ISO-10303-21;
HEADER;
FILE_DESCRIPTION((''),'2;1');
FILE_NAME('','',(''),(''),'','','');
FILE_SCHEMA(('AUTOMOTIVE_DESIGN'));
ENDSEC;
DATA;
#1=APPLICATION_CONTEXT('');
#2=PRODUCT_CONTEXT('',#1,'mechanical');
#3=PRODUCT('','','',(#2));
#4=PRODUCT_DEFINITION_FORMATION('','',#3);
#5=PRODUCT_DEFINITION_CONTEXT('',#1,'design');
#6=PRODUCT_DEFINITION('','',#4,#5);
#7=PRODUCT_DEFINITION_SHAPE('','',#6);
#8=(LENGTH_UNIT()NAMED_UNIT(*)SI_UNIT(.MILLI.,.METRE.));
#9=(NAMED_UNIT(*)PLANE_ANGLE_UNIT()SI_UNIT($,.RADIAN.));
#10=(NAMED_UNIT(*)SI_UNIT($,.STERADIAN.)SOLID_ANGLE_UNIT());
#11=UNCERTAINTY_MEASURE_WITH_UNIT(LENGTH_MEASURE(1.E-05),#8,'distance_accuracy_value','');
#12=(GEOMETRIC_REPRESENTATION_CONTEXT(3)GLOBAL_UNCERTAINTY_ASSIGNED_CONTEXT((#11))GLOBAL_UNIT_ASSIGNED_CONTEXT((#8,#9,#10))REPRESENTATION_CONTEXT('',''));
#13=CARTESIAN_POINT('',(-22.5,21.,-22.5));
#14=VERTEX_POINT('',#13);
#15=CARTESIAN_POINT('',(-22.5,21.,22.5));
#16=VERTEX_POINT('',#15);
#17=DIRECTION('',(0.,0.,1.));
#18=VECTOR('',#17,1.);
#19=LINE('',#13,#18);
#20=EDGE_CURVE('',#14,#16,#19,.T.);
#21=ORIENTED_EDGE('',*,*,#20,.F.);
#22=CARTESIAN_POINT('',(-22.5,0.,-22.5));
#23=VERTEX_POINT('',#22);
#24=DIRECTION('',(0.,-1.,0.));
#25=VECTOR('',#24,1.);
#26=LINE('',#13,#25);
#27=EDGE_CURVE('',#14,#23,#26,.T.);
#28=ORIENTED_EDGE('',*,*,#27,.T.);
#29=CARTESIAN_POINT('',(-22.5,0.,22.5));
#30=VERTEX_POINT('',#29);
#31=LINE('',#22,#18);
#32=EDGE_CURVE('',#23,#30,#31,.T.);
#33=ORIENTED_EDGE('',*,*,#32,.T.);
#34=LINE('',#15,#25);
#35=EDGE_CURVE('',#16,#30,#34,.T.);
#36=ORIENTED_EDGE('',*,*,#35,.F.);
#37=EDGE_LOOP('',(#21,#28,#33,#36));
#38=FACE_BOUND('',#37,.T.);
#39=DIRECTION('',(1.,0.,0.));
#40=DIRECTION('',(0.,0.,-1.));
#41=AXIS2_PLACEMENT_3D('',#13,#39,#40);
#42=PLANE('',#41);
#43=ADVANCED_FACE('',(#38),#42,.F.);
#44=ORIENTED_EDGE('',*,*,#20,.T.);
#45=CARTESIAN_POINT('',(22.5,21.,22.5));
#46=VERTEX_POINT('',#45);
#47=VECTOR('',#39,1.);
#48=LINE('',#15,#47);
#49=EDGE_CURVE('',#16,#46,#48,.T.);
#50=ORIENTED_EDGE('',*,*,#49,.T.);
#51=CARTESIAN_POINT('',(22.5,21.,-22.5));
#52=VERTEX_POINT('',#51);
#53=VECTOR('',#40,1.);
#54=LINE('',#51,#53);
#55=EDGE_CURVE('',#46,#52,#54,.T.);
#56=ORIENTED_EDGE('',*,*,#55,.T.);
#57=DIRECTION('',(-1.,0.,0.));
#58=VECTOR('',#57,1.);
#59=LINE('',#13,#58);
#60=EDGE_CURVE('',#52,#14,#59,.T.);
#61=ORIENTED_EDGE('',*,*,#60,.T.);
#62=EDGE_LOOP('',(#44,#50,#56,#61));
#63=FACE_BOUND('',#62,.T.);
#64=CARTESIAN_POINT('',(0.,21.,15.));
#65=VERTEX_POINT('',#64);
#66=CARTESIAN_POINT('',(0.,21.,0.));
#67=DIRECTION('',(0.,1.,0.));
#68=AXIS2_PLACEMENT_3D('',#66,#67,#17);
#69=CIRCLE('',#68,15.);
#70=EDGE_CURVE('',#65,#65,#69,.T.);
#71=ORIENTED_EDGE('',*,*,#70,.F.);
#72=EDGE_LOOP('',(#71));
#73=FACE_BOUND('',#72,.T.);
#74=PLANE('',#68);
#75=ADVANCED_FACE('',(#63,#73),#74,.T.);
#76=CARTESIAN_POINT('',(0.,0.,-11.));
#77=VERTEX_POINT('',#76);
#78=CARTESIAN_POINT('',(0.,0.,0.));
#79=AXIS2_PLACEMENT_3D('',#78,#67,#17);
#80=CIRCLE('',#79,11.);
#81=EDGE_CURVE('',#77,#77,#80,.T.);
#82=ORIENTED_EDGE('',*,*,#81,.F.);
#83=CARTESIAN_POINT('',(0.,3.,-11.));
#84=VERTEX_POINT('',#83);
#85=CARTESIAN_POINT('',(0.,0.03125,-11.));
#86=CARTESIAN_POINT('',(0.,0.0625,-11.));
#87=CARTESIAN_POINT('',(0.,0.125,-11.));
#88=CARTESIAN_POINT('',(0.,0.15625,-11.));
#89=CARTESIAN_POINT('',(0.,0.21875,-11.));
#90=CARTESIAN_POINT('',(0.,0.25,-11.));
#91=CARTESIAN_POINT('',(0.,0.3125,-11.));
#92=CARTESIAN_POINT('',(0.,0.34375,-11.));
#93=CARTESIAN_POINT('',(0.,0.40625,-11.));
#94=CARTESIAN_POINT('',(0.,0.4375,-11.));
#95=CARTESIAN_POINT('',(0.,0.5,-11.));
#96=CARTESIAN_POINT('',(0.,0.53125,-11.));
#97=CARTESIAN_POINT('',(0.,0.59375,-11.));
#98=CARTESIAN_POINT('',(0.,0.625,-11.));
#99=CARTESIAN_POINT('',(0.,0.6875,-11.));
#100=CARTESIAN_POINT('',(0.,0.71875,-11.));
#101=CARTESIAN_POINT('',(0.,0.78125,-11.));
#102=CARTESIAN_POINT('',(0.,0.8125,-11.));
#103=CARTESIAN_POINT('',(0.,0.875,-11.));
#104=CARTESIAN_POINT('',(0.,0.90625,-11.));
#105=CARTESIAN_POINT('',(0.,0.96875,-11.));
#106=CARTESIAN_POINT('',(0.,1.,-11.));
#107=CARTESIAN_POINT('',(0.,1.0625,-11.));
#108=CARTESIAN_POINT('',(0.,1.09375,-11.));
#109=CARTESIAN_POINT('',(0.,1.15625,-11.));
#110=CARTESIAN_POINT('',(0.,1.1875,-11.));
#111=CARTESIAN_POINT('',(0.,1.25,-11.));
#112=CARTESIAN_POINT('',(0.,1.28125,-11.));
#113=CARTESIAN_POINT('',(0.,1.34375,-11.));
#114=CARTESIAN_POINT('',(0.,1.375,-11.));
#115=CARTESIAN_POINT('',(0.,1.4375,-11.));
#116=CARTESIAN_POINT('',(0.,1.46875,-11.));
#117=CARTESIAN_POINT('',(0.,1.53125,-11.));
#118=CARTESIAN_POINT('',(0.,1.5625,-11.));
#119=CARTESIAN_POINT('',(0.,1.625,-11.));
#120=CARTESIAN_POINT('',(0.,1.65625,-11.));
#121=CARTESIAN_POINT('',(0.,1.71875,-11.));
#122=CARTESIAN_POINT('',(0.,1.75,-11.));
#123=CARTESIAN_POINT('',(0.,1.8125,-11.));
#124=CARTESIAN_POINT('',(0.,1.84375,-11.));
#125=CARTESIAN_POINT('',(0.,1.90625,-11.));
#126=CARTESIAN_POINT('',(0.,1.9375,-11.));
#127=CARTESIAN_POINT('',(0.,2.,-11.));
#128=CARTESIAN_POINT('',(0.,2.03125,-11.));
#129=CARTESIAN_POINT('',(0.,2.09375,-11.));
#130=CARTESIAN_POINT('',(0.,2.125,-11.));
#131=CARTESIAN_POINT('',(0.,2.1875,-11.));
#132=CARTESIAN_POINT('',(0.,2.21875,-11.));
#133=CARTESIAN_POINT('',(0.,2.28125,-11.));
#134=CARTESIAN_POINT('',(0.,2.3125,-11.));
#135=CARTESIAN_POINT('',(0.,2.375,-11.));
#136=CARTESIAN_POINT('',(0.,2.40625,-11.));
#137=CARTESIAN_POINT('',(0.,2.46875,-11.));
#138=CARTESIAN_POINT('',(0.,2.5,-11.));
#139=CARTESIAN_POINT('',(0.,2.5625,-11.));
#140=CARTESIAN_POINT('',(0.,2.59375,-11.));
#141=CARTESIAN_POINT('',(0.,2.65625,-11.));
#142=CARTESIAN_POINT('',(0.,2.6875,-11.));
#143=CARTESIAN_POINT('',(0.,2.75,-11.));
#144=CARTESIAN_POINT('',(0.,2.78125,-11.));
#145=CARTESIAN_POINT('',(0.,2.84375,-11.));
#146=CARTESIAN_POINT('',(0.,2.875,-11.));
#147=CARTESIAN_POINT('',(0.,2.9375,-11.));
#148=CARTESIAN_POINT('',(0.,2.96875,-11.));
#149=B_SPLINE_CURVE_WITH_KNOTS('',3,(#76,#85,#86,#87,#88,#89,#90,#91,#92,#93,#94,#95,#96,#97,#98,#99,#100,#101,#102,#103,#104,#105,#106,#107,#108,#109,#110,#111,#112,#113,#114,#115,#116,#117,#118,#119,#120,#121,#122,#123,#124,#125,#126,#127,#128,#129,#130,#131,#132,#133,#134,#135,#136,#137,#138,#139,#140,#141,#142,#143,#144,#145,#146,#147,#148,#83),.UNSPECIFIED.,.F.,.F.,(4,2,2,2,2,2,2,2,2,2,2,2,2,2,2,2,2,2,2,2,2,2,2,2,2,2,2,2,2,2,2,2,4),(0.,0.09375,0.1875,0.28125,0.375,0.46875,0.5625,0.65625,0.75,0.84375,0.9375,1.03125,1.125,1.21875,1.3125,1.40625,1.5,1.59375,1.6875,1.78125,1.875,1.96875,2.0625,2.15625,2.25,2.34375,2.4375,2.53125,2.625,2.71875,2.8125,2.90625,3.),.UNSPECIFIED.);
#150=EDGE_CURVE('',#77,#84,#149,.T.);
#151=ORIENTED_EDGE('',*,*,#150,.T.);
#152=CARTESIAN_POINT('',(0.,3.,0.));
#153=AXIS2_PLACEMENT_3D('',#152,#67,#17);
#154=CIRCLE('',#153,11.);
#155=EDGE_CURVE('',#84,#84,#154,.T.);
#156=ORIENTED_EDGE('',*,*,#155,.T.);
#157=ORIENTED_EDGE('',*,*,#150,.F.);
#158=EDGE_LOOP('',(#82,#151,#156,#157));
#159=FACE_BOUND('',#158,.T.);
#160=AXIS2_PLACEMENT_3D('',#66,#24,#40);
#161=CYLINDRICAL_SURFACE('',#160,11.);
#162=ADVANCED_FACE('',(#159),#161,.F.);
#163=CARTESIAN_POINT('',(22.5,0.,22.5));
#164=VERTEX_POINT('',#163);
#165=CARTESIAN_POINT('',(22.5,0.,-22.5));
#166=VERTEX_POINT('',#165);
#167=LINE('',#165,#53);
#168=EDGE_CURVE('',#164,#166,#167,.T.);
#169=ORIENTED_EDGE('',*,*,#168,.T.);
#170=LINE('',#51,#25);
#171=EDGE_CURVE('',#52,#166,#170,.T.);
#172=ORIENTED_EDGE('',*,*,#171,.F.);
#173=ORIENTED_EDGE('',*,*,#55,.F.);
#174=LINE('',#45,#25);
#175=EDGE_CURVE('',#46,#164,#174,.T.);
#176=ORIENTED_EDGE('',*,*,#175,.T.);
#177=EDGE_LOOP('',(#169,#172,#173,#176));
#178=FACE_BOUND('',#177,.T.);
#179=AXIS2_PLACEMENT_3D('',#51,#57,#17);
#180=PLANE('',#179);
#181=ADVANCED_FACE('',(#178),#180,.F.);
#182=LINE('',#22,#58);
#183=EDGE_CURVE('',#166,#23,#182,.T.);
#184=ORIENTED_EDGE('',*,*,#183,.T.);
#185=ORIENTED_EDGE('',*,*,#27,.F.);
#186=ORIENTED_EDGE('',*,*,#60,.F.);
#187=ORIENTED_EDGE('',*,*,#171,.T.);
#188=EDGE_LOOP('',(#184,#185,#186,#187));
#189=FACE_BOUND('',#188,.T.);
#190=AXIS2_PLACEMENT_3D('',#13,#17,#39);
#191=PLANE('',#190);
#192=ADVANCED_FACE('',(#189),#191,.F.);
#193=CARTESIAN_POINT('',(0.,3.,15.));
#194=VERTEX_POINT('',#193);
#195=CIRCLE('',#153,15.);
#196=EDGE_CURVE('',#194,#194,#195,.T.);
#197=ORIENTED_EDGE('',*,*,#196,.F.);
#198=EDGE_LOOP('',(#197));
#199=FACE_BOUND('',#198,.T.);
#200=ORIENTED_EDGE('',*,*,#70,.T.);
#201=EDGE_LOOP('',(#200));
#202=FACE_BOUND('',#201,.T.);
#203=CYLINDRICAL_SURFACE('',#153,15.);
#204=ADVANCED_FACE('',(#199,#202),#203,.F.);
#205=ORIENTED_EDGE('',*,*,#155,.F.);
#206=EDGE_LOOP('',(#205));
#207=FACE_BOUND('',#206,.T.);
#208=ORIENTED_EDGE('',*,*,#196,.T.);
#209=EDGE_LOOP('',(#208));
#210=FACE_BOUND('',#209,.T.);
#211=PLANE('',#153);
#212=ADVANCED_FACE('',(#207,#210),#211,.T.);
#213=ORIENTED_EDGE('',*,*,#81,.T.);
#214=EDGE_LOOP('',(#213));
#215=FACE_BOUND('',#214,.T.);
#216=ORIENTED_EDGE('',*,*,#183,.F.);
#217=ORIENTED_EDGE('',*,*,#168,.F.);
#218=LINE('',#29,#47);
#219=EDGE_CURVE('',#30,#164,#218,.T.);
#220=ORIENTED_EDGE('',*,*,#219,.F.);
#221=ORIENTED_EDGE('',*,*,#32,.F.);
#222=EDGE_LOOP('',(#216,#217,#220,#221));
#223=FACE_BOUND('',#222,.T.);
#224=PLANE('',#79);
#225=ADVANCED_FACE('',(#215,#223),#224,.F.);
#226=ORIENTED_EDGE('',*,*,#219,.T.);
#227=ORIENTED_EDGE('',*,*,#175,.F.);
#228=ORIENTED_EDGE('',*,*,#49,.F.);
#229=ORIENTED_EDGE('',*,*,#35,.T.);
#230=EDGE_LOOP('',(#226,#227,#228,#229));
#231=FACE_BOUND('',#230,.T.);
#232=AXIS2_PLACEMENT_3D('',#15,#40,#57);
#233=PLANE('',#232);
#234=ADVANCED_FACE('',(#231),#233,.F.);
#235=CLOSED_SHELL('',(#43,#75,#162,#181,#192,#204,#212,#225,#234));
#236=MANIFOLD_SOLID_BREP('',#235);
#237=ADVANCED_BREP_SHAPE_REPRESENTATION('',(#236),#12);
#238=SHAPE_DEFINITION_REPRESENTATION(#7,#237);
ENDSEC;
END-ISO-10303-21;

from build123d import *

# Parameters (mm, degrees)
SKETCH2_W           = 45
SKETCH2_H           = 45
SKETCH2_R           = 11
BOSS_EXTRUDE1_DEPTH = 21
SKETCH3_R           = 15
CUT_EXTRUDE1_DEPTH  = 18


with BuildPart() as part:
    # Sketch2 → Boss-Extrude1 (new body)
    with BuildSketch(Plane(origin=(0, 0, 0), x_dir=(1, 0, 0), z_dir=(0, 1, 0))):
        Rectangle(SKETCH2_W, SKETCH2_H)
        with Locations(Location((0, 0, 0), (0, 0, 90))):
            Circle(SKETCH2_R, mode=Mode.SUBTRACT)
    extrude(amount=BOSS_EXTRUDE1_DEPTH)

    # Sketch3 → Cut-Extrude1 (cut)
    with BuildSketch(Plane(origin=(0, 21, 0), x_dir=(1, 0, 0), z_dir=(0, 1, 0))):
        with Locations(Location((0, 0, 0), (0, 0, 270))):
            Circle(SKETCH3_R)
    extrude(amount=-CUT_EXTRUDE1_DEPTH, mode=Mode.SUBTRACT)


solid = part.part
